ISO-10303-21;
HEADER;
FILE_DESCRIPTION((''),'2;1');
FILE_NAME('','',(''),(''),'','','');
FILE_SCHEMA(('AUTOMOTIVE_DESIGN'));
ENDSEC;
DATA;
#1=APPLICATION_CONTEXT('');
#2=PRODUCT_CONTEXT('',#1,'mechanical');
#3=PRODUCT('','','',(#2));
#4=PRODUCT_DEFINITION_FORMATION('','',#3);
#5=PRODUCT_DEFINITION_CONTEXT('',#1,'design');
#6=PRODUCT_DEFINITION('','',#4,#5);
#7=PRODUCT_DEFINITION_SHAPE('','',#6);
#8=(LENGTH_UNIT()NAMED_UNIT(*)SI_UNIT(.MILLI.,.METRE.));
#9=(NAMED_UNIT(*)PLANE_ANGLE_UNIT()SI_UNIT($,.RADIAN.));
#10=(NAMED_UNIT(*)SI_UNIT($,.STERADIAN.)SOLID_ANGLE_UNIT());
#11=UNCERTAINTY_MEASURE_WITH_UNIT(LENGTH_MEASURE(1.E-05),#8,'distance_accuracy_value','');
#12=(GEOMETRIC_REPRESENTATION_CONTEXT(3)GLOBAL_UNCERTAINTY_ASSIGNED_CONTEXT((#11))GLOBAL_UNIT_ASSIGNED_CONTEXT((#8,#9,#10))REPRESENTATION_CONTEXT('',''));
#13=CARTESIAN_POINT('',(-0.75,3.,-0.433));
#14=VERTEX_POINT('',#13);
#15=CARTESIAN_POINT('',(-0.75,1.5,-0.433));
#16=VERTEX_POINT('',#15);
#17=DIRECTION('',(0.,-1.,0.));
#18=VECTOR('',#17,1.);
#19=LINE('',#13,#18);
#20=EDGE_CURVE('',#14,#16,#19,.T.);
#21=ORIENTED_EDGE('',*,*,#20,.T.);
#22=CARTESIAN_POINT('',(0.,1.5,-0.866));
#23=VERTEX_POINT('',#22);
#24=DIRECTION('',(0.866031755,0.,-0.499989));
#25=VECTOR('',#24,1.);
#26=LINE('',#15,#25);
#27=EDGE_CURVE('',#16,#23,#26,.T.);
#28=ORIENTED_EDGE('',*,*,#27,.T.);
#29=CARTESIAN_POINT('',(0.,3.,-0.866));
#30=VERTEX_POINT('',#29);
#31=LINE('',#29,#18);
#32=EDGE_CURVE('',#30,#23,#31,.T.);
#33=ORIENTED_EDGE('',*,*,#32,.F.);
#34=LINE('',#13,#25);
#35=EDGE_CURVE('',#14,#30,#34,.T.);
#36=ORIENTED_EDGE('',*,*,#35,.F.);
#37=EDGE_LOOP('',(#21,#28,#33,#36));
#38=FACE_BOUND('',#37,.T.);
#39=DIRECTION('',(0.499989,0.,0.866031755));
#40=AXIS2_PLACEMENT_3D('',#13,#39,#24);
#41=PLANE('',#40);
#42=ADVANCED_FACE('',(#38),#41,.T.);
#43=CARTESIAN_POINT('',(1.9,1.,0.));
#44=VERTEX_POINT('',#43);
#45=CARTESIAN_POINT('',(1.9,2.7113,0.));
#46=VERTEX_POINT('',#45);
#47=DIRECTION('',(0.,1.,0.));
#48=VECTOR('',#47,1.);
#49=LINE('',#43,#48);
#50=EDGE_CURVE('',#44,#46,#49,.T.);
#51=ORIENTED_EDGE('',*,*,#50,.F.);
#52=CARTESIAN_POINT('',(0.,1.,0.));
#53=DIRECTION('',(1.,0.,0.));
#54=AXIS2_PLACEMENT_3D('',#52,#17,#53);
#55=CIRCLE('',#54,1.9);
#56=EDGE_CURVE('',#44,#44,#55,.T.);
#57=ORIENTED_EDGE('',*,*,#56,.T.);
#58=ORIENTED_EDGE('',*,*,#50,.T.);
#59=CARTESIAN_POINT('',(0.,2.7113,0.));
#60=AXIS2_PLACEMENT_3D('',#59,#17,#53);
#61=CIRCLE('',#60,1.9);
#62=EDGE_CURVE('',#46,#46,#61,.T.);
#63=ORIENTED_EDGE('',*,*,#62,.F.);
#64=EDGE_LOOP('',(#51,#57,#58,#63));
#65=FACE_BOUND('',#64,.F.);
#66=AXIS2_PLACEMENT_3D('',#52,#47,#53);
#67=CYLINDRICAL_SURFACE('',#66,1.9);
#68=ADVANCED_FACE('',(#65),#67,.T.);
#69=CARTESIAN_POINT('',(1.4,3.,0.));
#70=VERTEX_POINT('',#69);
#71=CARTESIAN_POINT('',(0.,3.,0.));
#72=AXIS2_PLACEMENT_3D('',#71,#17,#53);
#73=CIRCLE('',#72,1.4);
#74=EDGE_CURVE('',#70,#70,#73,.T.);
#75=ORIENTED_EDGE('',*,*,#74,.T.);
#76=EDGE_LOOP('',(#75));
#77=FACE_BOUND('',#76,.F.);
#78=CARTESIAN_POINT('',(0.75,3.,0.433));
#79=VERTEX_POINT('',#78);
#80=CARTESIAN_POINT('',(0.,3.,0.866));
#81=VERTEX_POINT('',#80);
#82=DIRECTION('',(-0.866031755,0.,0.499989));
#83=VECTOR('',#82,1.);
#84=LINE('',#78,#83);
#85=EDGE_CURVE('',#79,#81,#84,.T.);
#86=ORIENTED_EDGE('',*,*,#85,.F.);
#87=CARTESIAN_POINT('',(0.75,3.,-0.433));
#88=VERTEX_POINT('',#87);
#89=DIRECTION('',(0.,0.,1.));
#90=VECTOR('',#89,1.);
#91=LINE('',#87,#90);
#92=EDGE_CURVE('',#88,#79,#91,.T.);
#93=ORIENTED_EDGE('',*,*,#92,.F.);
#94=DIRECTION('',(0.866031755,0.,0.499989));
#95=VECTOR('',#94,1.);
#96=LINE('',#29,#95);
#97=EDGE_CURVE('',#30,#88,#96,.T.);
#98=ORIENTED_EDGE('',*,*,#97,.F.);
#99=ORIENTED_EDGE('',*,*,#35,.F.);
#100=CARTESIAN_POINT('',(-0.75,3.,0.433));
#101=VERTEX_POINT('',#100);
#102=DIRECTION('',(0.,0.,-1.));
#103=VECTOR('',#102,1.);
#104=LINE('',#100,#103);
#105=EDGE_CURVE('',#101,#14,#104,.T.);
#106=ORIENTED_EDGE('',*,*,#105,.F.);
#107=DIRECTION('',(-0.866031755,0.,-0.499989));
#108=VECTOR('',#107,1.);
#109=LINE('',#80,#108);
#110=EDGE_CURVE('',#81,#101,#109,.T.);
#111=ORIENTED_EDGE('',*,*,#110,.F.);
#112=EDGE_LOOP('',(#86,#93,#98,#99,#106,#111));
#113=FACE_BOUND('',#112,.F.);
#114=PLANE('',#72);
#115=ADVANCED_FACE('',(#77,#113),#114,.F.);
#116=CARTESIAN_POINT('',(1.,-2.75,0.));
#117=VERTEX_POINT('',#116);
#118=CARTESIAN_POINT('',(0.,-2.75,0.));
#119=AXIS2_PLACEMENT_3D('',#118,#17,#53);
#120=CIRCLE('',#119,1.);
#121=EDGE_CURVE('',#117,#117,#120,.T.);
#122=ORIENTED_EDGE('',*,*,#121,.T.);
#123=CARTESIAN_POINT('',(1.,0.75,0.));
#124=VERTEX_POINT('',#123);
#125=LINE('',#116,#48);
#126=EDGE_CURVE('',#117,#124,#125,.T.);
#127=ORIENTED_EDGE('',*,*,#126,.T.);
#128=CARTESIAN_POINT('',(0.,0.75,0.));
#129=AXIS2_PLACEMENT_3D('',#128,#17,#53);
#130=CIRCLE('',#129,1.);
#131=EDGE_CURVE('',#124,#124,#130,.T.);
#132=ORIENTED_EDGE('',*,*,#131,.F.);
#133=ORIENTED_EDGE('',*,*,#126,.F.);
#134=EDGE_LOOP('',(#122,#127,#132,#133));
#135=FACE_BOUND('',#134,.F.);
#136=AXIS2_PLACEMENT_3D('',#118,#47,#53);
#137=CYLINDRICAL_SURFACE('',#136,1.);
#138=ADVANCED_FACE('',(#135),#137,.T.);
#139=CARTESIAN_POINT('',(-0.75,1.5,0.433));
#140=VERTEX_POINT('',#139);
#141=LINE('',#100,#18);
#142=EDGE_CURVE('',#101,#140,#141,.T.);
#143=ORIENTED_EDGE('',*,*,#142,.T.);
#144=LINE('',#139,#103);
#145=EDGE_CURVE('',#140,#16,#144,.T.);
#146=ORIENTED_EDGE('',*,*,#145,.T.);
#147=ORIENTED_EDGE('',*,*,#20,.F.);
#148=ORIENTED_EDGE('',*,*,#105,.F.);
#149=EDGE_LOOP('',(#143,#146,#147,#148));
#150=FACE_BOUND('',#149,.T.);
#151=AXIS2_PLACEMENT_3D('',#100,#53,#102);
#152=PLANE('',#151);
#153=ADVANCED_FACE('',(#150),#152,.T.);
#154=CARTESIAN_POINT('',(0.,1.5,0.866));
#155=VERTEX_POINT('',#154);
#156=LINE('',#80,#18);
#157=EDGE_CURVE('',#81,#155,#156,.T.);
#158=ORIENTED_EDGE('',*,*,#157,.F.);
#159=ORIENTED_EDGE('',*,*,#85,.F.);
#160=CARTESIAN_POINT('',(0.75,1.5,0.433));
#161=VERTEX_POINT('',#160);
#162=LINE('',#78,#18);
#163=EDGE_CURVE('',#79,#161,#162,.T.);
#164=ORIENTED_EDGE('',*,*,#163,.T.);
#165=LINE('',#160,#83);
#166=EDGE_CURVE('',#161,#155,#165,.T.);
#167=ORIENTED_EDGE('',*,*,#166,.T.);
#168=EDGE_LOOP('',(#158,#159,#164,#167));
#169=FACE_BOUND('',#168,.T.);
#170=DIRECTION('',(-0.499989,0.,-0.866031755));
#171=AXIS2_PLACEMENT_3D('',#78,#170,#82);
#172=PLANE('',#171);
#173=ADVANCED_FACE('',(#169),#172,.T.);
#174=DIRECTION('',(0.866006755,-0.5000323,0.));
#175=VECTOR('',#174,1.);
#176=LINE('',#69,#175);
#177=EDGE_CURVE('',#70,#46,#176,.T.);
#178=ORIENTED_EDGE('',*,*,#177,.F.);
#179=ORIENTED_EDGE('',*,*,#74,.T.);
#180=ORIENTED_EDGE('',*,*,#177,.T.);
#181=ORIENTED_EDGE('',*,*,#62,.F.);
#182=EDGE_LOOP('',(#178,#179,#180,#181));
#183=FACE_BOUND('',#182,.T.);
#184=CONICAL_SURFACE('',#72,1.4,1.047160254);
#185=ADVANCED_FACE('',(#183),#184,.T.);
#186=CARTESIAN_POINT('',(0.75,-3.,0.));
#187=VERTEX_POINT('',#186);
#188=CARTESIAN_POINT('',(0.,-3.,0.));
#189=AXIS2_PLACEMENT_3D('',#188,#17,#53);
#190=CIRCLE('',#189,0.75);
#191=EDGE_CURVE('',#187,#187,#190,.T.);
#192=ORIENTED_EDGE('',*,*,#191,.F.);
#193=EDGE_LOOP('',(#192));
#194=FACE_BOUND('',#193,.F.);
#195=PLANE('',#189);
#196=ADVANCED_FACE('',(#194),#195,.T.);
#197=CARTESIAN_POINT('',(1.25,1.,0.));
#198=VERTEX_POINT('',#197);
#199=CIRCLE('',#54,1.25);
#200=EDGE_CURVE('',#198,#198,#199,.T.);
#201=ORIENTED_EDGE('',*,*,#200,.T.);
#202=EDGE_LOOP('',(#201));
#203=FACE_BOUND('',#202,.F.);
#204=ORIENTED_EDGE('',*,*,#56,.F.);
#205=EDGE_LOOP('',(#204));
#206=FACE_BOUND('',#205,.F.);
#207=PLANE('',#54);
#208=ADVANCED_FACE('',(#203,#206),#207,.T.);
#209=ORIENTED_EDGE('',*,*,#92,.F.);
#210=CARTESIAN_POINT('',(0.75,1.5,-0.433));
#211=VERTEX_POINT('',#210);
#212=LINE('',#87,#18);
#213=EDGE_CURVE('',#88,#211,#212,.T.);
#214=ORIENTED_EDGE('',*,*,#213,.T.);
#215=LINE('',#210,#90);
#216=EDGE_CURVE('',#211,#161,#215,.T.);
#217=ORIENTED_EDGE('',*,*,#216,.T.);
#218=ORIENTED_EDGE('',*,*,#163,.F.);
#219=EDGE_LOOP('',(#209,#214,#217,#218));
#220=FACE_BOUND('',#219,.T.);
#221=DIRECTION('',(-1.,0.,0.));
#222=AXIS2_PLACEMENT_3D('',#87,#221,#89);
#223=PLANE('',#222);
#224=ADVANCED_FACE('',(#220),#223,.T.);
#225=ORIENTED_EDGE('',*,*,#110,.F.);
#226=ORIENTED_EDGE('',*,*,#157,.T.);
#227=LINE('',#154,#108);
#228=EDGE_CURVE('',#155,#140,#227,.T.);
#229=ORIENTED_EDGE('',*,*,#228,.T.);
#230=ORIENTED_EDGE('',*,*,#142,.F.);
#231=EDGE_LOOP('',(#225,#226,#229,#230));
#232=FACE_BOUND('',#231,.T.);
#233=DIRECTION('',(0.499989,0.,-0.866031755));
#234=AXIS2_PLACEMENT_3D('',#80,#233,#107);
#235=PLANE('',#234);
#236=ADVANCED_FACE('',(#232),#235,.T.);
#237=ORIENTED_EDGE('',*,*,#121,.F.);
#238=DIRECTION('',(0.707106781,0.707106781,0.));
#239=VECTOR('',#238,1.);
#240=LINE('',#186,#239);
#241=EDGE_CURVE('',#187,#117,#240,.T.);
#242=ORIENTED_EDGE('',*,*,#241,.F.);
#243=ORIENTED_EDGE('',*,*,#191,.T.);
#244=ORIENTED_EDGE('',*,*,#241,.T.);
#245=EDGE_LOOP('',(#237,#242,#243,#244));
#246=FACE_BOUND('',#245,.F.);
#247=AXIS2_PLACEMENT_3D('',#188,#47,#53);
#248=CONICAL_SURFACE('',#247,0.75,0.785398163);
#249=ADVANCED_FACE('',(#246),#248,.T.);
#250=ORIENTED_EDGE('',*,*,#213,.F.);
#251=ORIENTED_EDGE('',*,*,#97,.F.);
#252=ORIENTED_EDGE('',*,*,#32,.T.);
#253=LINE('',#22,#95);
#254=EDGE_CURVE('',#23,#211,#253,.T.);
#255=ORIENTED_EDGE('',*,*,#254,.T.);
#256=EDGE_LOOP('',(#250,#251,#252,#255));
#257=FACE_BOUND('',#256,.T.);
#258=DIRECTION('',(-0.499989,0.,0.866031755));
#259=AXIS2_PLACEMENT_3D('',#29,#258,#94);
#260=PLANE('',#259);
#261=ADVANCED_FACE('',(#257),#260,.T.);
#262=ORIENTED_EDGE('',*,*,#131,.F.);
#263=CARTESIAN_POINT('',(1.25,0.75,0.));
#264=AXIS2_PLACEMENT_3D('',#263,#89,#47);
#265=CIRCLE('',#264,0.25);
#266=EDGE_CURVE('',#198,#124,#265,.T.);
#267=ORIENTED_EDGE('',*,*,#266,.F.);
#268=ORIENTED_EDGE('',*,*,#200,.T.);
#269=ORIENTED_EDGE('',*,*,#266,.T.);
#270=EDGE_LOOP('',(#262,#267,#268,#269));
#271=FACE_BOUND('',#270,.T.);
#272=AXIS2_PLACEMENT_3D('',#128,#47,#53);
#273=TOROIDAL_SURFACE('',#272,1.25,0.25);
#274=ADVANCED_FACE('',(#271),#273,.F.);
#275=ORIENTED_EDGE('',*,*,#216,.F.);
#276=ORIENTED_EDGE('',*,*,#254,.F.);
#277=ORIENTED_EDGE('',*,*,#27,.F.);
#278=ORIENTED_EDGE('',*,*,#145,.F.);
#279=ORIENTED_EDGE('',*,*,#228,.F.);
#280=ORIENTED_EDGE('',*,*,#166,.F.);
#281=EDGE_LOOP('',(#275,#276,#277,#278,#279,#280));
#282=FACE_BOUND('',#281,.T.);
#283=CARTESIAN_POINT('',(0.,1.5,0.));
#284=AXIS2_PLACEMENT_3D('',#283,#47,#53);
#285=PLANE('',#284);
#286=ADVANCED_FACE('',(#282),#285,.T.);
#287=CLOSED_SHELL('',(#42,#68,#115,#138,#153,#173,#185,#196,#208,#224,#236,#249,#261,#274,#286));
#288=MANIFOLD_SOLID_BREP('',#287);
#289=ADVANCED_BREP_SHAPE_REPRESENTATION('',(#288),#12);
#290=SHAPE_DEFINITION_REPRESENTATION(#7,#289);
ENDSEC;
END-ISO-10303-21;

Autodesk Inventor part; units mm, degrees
ref_plane "YZ Plane" through (0, 0, 0) normal (1, 0, 0) x (0, 1, 0)
ref_plane "XZ Plane" through (0, 0, 0) normal (0, 1, 0) x (-1, 0, 0)
ref_plane "XY Plane" through (0, 0, 0) normal (0, 0, 1) x (1, 0, 0)
sketch "Sketch1" plane through (0, 0, 0) normal (0, 0, 1) x (1, 0, 0)
  line L0 (0, 3) -> (0, -3)
  line L1 (0, -3) -> (0.75, -3)
  line L2 (0.75, -3) -> (1, -2.75)
  line L3 (1, -2.75) -> (1, 0.75)
  line L4 (1.25, 1) -> (1.9, 1)
  line L5 (1.9, 1) -> (1.9, 2.7113)
  line L6 (1.4, 3) -> (0, 3)
  arc A0 (1.25, 1) -> (1, 0.75) centre (1.25, 0.75) ccw
  line L7 (1.4, 3) -> (1.9, 2.7113)
  point P0 (0, 0)
  point P1 (1.9, 3)
  point P2 (0, 0)
  dimension "d0" = 3.8
  dimension "d1" = 2
  dimension "d3" = 2
  dimension "d4" = 2.5
  dimension "d5" = 135
  dimension "d6" = 0.25
  dimension "d7" = 4
  dimension "d9" = 0.5
  dimension "d10" = 30
revolve "Revolution1" add sketch "Sketch1" angle 360 about axis through (0, 3, 0) along (0, -1, 0)
sketch "Sketch2" plane through (0, 3, 0) normal (0, 1, 0) x (1, 0, 0)
  line L0 (0, -0.866) -> (-0.75, -0.433)
  line L1 (-0.75, -0.433) -> (-0.75, 0.433)
  line L2 (-0.75, 0.433) -> (0, 0.866)
  line L3 (0, 0.866) -> (0.75, 0.433)
  line L4 (0.75, 0.433) -> (0.75, -0.433)
  line L5 (0.75, -0.433) -> (0, -0.866)
  point P0 (0, 0)
  point P1 (0, 0)
  dimension "d11" = 1.5
extrude "Extrusion1" cut sketch "Sketch2" against normal blind 1.5
thread "Thread1" size "M2x0.4" class "6g" standard "ANSI Metric M Profile" full length
properties part number "Bolt_M2x0.4_4mm_SH" material "Stainless Steel"
